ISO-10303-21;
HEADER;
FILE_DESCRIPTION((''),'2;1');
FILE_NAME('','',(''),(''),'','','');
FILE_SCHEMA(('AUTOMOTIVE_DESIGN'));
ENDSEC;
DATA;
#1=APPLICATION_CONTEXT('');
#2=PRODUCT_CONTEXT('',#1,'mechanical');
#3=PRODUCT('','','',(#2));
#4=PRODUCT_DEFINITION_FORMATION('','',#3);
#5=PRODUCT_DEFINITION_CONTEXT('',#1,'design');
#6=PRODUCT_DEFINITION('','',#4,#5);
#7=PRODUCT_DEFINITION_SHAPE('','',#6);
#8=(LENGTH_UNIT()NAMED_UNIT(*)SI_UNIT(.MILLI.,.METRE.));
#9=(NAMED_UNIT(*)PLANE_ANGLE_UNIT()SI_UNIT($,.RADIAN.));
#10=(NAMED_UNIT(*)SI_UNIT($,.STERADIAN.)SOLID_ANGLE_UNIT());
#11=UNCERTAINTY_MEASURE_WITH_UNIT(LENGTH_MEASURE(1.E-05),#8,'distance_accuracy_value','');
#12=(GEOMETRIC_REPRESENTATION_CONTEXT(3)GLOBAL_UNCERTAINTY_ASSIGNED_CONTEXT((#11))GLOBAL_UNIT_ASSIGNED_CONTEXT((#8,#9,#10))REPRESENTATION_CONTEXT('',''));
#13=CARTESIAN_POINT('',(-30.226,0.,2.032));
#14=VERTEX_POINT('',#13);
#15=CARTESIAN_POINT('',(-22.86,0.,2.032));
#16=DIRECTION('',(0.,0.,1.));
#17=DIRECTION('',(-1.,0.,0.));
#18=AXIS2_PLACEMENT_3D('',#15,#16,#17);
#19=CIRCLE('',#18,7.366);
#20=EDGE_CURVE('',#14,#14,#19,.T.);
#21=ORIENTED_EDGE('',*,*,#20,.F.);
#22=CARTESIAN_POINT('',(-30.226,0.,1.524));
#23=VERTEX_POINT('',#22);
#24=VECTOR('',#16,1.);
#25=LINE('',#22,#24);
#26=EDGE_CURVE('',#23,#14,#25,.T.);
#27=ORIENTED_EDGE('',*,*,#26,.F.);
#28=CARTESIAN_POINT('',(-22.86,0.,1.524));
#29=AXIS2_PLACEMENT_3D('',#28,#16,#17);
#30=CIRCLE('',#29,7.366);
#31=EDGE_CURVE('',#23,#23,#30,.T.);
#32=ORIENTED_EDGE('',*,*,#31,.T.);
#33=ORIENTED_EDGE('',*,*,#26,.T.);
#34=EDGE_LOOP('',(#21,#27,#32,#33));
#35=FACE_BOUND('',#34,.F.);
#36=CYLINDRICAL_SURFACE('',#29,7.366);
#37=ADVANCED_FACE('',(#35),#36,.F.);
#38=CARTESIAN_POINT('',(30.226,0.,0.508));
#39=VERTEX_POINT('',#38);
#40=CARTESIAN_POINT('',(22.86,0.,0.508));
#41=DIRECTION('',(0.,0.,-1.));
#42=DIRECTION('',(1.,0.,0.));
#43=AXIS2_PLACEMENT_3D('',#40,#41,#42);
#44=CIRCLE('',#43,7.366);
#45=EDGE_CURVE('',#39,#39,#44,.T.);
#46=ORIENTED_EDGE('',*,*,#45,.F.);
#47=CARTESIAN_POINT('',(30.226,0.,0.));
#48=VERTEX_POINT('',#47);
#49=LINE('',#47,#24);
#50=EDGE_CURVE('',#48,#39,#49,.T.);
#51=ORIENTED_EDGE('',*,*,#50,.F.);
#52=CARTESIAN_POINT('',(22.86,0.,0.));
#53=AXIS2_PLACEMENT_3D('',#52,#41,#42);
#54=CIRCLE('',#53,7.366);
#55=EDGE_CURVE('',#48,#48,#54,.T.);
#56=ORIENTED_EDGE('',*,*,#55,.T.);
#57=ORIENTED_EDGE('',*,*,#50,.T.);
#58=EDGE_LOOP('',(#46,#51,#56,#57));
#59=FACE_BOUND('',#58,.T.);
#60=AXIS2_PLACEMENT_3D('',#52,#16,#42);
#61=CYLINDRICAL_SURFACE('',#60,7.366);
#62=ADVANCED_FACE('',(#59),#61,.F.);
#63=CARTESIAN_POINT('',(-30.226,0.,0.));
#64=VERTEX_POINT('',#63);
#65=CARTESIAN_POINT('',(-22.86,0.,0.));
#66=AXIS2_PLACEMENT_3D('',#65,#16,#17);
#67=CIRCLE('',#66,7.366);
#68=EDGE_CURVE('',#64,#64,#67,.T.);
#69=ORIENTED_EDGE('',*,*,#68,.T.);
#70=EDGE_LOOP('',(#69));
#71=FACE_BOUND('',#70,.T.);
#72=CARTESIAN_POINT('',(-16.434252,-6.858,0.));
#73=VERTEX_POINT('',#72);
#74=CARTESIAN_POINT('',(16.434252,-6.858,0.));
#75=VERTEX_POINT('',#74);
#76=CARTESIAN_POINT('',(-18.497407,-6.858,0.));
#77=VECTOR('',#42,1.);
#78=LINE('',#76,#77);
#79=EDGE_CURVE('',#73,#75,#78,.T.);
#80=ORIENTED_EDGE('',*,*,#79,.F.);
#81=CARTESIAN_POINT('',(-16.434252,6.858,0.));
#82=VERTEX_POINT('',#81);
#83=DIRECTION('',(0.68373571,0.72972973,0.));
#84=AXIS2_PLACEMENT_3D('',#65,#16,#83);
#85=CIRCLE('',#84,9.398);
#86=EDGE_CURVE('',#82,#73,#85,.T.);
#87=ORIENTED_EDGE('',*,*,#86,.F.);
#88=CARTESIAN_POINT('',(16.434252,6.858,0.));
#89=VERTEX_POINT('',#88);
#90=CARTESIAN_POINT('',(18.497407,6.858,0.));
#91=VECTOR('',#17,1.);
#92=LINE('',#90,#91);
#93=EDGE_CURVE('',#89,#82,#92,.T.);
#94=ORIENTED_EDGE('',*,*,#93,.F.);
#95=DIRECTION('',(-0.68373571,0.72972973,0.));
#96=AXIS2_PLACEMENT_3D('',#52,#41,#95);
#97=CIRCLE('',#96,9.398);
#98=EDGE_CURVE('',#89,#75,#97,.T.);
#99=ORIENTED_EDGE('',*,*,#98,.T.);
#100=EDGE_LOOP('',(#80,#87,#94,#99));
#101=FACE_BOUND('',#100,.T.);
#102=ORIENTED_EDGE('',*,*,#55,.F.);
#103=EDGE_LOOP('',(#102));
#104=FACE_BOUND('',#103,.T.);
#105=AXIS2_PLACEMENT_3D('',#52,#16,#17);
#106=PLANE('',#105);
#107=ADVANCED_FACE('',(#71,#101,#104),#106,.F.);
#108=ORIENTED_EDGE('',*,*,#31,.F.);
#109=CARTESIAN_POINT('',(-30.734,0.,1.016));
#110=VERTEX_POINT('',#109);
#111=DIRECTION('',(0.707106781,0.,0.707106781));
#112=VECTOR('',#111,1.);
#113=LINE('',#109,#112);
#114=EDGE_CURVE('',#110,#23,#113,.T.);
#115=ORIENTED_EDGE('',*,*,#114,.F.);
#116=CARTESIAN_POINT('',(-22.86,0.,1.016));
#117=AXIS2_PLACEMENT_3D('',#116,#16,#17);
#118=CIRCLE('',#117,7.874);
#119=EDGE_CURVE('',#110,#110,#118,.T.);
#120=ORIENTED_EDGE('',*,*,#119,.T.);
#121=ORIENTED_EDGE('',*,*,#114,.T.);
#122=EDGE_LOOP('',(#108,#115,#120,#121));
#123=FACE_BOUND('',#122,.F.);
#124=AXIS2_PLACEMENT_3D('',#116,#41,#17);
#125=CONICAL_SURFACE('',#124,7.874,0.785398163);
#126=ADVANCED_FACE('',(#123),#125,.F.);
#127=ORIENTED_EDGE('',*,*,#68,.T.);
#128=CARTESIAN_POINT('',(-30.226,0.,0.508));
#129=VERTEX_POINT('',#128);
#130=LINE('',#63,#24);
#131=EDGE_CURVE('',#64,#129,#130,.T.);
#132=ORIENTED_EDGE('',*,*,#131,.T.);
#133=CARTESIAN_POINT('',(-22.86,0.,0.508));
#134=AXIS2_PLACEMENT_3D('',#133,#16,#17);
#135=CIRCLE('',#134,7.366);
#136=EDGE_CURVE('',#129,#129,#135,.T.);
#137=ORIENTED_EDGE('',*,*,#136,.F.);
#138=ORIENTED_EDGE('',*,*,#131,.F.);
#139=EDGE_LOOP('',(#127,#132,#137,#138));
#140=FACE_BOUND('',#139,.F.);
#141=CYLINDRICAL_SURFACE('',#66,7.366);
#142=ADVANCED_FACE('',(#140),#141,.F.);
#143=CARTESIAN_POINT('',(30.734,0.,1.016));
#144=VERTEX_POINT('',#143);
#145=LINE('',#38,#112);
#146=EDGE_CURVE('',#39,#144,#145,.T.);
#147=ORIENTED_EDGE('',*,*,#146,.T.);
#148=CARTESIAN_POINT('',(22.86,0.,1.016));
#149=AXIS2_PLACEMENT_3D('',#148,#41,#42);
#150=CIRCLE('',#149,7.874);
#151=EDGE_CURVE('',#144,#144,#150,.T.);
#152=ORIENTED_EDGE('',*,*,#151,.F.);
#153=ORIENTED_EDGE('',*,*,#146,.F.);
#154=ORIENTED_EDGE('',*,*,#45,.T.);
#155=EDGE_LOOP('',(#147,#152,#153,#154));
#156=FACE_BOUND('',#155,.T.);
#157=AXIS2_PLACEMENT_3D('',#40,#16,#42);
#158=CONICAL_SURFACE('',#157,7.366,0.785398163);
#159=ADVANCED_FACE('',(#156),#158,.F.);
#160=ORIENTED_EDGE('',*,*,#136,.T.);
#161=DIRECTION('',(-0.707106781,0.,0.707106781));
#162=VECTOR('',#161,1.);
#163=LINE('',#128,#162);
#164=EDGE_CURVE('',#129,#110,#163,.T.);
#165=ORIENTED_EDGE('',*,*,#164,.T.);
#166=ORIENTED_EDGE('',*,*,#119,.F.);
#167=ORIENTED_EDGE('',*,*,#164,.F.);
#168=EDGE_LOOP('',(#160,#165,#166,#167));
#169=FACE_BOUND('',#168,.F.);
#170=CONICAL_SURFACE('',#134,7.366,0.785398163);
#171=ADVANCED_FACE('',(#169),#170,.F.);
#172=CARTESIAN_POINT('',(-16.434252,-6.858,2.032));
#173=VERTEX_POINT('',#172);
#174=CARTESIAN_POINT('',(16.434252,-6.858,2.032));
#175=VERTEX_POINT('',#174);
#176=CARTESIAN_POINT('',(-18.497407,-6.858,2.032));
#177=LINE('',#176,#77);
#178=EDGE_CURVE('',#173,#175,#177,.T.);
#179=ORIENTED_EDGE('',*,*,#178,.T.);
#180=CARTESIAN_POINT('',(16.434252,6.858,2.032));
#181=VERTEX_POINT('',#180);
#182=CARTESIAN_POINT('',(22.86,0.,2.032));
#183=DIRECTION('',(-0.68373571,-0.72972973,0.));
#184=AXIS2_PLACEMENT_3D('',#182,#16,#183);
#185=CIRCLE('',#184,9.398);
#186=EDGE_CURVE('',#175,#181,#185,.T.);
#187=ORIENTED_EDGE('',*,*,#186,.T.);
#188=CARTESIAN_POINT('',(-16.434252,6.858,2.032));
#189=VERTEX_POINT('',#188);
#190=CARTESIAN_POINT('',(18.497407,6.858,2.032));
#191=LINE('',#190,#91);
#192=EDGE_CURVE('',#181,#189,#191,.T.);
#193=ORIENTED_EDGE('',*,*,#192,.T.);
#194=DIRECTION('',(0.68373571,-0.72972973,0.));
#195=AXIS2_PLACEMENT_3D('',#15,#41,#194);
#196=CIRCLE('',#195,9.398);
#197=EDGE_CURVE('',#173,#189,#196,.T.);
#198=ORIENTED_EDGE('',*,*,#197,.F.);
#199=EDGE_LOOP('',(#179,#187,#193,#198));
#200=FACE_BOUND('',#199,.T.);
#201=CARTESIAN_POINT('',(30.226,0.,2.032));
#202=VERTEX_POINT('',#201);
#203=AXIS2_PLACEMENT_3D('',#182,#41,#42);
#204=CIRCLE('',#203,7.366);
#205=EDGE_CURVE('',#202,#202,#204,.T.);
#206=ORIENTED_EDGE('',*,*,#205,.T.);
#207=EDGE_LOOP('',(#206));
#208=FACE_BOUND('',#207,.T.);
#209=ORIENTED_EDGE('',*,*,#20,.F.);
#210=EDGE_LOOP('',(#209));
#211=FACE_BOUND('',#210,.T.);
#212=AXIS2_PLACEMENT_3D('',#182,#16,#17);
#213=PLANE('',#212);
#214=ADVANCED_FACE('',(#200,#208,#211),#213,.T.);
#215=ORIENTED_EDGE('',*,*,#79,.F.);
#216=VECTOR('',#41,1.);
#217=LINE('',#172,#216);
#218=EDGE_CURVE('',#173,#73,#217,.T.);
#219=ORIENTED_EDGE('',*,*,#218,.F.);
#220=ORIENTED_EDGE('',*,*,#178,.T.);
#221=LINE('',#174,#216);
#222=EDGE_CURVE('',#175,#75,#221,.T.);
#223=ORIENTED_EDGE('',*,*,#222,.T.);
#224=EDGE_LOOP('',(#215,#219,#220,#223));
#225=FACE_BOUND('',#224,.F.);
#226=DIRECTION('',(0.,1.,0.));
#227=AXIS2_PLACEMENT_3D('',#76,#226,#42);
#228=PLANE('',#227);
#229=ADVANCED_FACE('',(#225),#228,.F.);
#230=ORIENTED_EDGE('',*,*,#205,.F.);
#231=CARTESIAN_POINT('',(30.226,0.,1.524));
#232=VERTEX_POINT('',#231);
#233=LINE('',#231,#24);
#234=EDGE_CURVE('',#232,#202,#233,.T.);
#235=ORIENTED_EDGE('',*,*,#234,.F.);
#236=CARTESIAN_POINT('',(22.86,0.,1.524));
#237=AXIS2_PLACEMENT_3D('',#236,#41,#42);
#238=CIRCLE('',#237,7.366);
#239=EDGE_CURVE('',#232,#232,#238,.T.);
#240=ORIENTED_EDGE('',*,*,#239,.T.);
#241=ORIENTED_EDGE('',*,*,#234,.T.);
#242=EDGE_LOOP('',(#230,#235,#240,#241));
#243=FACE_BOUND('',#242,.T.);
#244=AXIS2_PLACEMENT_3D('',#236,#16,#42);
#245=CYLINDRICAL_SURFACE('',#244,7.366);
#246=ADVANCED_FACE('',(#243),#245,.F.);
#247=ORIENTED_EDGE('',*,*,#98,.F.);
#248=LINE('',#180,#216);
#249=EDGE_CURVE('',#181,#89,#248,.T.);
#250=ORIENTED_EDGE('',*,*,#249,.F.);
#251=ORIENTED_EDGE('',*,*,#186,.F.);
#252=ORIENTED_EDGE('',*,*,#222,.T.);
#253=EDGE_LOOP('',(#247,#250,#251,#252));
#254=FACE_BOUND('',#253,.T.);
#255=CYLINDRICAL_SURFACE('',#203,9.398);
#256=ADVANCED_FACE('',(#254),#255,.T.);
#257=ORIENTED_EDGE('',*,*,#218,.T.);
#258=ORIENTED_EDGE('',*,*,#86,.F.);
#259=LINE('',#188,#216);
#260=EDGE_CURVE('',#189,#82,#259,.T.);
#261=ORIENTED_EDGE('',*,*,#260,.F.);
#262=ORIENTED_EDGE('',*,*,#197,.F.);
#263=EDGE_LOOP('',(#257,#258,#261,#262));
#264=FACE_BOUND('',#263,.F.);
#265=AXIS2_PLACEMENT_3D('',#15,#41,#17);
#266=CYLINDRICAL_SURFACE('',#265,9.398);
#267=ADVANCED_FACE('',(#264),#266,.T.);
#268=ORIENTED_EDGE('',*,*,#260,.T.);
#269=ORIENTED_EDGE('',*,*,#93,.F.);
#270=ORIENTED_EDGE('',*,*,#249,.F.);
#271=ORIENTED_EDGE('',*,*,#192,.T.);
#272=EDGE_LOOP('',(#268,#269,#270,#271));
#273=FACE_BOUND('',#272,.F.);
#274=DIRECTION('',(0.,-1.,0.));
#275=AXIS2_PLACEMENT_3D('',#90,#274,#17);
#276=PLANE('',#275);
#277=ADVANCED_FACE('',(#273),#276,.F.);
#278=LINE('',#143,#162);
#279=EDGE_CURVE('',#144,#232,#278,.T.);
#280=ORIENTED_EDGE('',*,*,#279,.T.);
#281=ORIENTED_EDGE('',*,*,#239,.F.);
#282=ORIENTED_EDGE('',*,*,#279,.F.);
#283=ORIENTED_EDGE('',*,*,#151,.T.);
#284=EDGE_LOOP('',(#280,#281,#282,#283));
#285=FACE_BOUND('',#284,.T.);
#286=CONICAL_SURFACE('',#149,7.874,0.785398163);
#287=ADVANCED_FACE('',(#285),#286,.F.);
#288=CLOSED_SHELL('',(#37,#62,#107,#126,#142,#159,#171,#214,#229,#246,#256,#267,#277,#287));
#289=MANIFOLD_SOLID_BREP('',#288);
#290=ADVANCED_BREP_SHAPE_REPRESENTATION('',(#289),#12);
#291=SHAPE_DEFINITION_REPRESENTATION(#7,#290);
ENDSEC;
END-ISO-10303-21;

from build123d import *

# Parameters (mm, degrees)
F1_DEPTH = 2.032


with BuildPart() as f1:
    # F0 (on Top) → F1 (new body)
    with BuildSketch(Plane.XY):
        with BuildLine():
            ThreePointArc((-18.497407, 6.858), (-15.73527, 3.911855), (-14.732, 0))
            ThreePointArc((-14.732, 0), (-15.73527, -3.911855), (-18.497407, -6.858))
            Line((-18.497407, -6.858), (18.497407, -6.858))
            ThreePointArc((18.497407, -6.858), (14.732, 0), (18.497407, 6.858))
            Line((18.497407, 6.858), (-18.497407, 6.858))
        make_face()
    extrude(amount=F1_DEPTH)

    # F2 (on Front) → F3 (revolve)
    with BuildSketch(Plane.XZ):
        Polygon((-32.258, 2.032), (-32.258, 0), (-30.226, 0), (-30.226, 0.508), (-30.734, 1.016), (-30.226, 1.524), (-30.226, 2.032), align=None)
    revolve(axis=Axis((-22.86, 0, 0.9144), (0, 0, 1)))

    # F4: F1 across plane


with BuildPart() as f1_1:
    add(f1.part)
    add(f1.part.mirror(Plane.YZ))


solid = f1_1.part
